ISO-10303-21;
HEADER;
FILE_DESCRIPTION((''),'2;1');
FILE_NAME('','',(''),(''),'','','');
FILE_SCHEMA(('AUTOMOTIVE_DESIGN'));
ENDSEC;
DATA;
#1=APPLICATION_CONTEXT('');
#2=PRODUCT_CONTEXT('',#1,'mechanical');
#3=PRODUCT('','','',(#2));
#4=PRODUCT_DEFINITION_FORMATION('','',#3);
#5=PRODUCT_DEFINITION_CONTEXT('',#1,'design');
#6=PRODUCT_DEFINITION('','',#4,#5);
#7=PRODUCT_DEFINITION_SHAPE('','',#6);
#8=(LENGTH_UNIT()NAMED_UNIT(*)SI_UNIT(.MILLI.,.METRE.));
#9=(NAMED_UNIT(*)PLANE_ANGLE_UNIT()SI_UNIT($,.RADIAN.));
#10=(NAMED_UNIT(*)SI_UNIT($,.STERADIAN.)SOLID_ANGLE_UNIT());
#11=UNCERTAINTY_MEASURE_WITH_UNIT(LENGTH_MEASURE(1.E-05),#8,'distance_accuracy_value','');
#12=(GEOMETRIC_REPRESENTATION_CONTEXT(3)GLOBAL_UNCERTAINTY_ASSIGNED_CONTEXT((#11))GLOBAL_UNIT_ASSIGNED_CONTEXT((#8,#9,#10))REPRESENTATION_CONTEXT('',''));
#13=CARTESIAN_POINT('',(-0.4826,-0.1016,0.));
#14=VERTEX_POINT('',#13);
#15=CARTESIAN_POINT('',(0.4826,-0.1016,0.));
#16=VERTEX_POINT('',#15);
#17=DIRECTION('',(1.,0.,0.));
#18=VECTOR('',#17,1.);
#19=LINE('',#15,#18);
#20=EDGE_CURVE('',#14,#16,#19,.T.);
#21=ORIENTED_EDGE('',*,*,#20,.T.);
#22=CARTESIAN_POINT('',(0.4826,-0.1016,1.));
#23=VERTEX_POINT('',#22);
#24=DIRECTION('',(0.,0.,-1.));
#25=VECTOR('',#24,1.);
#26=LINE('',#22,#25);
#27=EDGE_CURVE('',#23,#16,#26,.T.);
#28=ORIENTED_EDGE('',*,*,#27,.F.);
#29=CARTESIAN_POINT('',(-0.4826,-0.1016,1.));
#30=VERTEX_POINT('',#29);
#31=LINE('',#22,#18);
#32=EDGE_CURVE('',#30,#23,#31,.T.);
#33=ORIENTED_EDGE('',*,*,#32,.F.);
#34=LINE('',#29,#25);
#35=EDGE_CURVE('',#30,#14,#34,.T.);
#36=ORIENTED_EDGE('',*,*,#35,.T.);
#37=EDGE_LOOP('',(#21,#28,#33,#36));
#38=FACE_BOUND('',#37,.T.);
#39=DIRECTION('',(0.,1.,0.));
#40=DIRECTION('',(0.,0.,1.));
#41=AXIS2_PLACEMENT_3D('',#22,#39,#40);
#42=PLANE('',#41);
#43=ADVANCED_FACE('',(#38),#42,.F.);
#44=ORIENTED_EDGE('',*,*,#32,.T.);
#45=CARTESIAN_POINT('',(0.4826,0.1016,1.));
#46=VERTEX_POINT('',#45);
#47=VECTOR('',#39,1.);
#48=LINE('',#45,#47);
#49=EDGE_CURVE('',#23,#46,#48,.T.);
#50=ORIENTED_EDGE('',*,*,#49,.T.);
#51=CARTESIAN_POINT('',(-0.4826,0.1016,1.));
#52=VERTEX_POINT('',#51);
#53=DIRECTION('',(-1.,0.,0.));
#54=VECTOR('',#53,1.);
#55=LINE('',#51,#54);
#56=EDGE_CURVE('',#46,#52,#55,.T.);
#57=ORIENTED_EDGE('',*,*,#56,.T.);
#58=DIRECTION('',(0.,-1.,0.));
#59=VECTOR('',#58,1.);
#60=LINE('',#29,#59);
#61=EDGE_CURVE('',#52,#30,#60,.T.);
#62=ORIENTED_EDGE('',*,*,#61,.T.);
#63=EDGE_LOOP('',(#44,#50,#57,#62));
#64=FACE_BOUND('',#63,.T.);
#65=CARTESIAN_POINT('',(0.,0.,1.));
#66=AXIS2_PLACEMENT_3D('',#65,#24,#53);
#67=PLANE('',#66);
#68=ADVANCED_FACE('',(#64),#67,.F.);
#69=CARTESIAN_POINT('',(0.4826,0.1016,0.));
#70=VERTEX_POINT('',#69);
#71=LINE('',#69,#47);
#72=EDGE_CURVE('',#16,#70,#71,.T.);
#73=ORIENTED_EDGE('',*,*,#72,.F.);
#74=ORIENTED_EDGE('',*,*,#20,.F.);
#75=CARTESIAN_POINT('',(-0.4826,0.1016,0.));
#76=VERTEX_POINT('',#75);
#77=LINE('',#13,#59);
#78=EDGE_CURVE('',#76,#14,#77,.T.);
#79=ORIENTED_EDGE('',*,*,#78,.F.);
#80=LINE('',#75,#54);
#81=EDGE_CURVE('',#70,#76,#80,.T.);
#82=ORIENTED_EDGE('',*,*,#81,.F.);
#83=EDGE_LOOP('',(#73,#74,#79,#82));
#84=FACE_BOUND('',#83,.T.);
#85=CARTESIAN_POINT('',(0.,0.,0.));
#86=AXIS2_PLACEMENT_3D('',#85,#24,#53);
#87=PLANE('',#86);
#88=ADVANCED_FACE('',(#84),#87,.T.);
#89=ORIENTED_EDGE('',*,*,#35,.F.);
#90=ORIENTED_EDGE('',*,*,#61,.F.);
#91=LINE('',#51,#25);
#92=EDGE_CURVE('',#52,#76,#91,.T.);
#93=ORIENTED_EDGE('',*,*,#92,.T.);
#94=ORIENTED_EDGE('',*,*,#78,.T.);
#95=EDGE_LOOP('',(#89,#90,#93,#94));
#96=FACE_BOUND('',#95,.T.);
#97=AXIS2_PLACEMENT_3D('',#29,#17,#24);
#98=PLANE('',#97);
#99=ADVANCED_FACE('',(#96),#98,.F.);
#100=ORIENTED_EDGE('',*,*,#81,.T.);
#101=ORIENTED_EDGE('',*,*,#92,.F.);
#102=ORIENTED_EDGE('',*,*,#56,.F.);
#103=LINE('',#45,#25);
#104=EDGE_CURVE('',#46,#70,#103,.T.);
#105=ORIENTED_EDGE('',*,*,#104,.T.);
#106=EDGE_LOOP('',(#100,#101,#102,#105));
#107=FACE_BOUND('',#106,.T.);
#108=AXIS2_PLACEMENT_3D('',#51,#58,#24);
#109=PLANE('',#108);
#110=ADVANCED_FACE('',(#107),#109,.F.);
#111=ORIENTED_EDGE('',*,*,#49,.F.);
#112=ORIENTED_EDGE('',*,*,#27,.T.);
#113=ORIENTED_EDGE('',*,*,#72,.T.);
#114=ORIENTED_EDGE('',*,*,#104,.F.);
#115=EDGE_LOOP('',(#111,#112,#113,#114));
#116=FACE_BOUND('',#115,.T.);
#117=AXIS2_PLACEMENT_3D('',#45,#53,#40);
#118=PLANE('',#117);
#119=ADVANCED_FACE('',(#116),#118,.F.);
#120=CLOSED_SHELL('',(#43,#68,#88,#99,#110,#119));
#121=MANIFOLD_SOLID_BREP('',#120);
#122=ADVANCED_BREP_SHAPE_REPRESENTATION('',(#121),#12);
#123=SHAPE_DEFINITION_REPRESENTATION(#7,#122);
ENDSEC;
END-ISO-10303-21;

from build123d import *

# Parameters (mm, degrees)
SKETCH1_W               = 0.9652
SKETCH1_H               = 0.2032
COMPONENT_OUTLINE_DEPTH = 1


with BuildPart() as part:
    # Sketch1 → Component_Outline (new body)
    with BuildSketch(Plane.XY):
        Rectangle(SKETCH1_W, SKETCH1_H)
    extrude(amount=COMPONENT_OUTLINE_DEPTH)


solid = part.part
